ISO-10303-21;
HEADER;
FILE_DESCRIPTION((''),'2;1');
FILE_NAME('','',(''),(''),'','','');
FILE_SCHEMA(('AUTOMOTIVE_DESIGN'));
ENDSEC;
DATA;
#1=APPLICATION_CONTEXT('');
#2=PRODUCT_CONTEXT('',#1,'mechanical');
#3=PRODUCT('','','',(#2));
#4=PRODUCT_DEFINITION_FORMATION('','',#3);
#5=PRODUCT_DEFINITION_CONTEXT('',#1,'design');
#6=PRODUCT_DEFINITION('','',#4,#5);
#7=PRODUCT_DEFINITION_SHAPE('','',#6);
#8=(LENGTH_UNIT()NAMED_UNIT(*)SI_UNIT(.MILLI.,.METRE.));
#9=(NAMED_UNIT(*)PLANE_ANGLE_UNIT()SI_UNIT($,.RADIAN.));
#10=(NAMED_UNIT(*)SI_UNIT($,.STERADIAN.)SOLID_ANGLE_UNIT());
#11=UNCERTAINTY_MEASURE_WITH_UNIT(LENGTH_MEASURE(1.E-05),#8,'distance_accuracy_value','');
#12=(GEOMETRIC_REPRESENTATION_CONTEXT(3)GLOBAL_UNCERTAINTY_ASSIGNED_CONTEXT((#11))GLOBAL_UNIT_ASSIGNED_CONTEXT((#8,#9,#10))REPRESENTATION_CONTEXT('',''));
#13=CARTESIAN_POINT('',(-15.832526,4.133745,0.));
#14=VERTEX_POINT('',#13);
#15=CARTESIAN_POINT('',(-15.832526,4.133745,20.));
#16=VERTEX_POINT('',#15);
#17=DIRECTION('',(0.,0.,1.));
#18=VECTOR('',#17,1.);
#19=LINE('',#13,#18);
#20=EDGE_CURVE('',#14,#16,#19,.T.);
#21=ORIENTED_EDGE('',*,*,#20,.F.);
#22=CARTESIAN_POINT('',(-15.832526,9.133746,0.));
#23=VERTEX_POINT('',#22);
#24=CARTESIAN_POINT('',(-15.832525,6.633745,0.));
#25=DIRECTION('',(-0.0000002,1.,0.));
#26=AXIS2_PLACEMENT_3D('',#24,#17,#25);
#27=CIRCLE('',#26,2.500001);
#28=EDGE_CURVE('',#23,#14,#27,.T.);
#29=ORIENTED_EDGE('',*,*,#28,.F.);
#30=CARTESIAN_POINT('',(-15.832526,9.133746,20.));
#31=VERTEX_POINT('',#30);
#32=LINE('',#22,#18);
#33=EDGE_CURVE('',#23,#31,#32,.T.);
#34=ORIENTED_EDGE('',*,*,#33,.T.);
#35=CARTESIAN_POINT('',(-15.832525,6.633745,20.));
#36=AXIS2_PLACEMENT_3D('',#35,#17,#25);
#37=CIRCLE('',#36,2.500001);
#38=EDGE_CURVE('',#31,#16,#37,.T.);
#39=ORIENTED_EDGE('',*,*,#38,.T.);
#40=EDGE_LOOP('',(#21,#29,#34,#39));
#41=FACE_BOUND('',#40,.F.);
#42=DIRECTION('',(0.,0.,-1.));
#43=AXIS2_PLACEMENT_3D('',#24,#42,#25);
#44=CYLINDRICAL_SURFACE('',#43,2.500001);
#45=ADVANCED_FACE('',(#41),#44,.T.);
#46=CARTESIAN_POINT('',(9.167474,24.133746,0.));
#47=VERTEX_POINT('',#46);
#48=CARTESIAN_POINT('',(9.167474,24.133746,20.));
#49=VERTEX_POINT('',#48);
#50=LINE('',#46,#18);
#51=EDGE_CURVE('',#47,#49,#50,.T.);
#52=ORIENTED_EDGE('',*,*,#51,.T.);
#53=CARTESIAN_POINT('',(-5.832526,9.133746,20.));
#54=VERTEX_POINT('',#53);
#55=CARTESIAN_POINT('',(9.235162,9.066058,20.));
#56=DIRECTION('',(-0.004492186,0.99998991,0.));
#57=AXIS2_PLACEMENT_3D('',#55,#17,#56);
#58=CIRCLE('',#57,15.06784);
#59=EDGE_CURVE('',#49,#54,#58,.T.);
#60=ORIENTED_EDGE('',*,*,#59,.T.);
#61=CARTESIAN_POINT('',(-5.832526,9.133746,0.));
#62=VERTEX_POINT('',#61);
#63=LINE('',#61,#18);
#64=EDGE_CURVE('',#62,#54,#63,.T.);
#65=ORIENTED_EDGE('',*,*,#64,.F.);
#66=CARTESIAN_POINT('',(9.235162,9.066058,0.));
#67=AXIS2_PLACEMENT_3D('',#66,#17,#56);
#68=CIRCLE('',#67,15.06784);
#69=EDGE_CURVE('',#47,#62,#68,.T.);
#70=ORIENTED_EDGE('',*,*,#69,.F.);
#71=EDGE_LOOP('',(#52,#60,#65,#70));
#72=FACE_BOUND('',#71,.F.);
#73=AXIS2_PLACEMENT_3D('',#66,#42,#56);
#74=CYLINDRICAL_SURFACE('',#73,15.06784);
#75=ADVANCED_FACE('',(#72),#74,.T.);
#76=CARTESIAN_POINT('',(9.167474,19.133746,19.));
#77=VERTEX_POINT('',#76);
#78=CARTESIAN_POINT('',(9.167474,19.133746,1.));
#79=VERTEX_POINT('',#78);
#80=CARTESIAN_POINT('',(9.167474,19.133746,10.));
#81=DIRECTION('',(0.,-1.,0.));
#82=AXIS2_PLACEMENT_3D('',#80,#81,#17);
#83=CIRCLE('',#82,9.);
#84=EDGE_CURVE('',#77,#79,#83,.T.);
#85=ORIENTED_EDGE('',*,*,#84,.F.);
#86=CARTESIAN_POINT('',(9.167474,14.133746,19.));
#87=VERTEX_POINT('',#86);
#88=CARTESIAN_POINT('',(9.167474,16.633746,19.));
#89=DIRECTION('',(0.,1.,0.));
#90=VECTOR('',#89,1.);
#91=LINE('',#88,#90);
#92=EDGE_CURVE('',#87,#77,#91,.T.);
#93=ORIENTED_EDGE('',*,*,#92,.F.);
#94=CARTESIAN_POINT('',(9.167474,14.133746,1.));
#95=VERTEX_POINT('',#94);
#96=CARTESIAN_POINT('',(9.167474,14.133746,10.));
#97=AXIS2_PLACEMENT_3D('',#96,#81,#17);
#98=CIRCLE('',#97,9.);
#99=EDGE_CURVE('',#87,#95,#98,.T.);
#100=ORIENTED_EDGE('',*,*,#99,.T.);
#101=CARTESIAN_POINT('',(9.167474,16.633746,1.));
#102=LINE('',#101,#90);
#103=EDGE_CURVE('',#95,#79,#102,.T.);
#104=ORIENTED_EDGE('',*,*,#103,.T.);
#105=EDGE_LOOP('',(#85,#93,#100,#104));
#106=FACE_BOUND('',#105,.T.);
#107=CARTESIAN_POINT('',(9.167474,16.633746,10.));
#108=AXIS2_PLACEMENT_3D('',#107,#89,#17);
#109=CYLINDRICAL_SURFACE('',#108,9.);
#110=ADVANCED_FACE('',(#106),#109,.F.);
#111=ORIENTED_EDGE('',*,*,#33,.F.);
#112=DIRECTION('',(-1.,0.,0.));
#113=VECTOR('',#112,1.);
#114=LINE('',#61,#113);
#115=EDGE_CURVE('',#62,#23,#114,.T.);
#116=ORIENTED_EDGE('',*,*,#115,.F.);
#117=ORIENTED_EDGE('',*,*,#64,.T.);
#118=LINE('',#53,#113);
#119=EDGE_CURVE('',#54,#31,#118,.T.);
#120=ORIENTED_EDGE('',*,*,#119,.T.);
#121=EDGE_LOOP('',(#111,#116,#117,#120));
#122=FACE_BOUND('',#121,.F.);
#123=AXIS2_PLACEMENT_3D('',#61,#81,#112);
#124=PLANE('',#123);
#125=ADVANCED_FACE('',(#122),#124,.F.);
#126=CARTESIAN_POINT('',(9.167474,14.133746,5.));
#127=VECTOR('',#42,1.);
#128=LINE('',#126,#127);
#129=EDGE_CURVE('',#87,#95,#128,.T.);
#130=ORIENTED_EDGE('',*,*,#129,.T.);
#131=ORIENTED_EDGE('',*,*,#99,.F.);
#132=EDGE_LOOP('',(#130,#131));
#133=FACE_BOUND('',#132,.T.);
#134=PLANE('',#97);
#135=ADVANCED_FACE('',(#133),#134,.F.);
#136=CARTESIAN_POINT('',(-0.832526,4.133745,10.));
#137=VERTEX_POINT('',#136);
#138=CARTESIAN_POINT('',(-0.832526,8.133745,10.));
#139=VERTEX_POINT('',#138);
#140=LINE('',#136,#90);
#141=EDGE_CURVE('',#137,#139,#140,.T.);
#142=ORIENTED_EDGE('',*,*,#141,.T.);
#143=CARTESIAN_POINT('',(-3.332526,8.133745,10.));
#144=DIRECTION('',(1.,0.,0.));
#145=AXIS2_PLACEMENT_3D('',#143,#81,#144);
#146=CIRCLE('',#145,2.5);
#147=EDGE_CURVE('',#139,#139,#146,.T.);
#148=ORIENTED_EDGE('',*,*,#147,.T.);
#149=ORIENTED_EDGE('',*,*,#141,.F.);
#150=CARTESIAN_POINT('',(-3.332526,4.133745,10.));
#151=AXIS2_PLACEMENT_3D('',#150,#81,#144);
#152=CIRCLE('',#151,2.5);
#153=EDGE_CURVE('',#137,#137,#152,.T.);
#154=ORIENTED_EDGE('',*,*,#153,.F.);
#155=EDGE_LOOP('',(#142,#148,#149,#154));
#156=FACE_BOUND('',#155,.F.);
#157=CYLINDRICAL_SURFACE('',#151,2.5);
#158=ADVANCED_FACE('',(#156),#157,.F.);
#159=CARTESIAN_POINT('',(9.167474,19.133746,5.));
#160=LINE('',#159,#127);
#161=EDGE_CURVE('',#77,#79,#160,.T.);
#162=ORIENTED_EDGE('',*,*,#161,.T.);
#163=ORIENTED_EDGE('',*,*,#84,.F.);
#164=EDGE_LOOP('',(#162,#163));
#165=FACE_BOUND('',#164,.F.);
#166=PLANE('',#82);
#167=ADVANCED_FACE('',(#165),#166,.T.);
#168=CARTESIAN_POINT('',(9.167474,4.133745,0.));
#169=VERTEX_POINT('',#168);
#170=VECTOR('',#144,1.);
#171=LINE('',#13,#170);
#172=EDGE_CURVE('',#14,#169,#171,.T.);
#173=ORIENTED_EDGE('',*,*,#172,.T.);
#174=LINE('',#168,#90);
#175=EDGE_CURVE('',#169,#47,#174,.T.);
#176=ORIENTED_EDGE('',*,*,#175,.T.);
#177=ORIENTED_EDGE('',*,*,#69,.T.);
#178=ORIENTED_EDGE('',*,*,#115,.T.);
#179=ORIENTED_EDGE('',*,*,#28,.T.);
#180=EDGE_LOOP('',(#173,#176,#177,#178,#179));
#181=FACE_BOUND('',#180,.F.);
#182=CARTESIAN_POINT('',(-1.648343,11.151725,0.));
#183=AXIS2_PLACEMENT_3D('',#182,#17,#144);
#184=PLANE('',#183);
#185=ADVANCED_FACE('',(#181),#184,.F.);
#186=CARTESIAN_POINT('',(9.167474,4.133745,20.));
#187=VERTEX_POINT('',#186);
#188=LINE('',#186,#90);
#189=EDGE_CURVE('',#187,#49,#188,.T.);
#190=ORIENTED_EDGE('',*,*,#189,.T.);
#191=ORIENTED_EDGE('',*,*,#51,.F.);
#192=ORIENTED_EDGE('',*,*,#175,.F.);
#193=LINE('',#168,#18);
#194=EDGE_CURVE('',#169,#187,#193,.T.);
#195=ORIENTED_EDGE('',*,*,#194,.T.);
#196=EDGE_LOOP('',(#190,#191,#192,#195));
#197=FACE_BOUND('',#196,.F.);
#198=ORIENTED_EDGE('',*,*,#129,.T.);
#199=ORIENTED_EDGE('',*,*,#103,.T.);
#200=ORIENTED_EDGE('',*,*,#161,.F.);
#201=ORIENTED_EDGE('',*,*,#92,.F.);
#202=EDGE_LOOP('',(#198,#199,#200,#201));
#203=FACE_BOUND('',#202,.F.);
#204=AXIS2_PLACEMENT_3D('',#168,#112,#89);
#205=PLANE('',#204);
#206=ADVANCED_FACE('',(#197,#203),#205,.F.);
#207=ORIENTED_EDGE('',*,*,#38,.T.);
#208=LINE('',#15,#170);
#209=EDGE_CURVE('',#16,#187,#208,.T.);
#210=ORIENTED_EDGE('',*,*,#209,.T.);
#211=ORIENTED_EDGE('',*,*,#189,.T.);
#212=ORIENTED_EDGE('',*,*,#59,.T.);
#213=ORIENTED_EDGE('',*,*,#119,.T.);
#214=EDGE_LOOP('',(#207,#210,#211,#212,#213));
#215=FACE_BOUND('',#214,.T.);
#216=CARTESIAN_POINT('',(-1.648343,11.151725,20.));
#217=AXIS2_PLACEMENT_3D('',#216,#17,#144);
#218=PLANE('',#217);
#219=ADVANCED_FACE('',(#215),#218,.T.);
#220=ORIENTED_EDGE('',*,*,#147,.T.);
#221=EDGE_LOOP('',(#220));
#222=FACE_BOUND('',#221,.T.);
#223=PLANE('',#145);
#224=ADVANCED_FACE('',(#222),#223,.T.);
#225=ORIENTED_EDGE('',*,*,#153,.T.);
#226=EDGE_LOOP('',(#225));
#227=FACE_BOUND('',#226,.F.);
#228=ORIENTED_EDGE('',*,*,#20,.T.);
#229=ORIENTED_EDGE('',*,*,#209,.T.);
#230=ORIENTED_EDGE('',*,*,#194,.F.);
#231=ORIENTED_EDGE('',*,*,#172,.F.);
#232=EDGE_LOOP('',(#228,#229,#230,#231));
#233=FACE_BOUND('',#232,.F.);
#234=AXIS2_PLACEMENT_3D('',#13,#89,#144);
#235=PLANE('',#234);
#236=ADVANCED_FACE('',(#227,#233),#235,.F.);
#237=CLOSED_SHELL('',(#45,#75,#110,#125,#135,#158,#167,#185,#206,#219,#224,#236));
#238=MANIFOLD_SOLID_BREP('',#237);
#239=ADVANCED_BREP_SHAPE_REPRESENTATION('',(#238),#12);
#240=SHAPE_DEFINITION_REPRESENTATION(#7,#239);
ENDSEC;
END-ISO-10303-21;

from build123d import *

# Parameters (mm, degrees)
F1_DEPTH = 20
F2_W     = 5
F2_H     = 9
F4_R     = 2.5
F5_DEPTH = 4


with BuildPart() as f1:
    # F0 (on Top) → F1 (new body)
    with BuildSketch(Plane.XY):
        with BuildLine():
            ThreePointArc((-15.832526, 9.133746), (-18.332526, 6.633745), (-15.832526, 4.133745))
            Line((-15.832526, 4.133745), (9.167474, 4.133745))
            Line((9.167474, 4.133745), (9.167474, 24.133746))
            ThreePointArc((9.167474, 24.133746), (-1.41941, 19.72063), (-5.832526, 9.133746))
            Line((-5.832526, 9.133746), (-15.832526, 9.133746))
        make_face()
    extrude(amount=F1_DEPTH)

    # F2 (on face) → F3 (revolve, cut)
    with BuildSketch(Plane.YZ.offset(9.167474)):
        with Locations((16.633746, 14.5)):
            Rectangle(F2_W, F2_H)
    revolve(axis=Axis((9.167474, 0.748294, 10), (0, -1, 0)), mode=Mode.SUBTRACT)

    # F4 (on face) → F5 (cut)
    with BuildSketch(Plane.XZ.offset(-4.133745)):
        with Locations((-3.332526, 10)):
            Circle(F4_R)
    extrude(amount=-F5_DEPTH, mode=Mode.SUBTRACT)


solid = f1.part
